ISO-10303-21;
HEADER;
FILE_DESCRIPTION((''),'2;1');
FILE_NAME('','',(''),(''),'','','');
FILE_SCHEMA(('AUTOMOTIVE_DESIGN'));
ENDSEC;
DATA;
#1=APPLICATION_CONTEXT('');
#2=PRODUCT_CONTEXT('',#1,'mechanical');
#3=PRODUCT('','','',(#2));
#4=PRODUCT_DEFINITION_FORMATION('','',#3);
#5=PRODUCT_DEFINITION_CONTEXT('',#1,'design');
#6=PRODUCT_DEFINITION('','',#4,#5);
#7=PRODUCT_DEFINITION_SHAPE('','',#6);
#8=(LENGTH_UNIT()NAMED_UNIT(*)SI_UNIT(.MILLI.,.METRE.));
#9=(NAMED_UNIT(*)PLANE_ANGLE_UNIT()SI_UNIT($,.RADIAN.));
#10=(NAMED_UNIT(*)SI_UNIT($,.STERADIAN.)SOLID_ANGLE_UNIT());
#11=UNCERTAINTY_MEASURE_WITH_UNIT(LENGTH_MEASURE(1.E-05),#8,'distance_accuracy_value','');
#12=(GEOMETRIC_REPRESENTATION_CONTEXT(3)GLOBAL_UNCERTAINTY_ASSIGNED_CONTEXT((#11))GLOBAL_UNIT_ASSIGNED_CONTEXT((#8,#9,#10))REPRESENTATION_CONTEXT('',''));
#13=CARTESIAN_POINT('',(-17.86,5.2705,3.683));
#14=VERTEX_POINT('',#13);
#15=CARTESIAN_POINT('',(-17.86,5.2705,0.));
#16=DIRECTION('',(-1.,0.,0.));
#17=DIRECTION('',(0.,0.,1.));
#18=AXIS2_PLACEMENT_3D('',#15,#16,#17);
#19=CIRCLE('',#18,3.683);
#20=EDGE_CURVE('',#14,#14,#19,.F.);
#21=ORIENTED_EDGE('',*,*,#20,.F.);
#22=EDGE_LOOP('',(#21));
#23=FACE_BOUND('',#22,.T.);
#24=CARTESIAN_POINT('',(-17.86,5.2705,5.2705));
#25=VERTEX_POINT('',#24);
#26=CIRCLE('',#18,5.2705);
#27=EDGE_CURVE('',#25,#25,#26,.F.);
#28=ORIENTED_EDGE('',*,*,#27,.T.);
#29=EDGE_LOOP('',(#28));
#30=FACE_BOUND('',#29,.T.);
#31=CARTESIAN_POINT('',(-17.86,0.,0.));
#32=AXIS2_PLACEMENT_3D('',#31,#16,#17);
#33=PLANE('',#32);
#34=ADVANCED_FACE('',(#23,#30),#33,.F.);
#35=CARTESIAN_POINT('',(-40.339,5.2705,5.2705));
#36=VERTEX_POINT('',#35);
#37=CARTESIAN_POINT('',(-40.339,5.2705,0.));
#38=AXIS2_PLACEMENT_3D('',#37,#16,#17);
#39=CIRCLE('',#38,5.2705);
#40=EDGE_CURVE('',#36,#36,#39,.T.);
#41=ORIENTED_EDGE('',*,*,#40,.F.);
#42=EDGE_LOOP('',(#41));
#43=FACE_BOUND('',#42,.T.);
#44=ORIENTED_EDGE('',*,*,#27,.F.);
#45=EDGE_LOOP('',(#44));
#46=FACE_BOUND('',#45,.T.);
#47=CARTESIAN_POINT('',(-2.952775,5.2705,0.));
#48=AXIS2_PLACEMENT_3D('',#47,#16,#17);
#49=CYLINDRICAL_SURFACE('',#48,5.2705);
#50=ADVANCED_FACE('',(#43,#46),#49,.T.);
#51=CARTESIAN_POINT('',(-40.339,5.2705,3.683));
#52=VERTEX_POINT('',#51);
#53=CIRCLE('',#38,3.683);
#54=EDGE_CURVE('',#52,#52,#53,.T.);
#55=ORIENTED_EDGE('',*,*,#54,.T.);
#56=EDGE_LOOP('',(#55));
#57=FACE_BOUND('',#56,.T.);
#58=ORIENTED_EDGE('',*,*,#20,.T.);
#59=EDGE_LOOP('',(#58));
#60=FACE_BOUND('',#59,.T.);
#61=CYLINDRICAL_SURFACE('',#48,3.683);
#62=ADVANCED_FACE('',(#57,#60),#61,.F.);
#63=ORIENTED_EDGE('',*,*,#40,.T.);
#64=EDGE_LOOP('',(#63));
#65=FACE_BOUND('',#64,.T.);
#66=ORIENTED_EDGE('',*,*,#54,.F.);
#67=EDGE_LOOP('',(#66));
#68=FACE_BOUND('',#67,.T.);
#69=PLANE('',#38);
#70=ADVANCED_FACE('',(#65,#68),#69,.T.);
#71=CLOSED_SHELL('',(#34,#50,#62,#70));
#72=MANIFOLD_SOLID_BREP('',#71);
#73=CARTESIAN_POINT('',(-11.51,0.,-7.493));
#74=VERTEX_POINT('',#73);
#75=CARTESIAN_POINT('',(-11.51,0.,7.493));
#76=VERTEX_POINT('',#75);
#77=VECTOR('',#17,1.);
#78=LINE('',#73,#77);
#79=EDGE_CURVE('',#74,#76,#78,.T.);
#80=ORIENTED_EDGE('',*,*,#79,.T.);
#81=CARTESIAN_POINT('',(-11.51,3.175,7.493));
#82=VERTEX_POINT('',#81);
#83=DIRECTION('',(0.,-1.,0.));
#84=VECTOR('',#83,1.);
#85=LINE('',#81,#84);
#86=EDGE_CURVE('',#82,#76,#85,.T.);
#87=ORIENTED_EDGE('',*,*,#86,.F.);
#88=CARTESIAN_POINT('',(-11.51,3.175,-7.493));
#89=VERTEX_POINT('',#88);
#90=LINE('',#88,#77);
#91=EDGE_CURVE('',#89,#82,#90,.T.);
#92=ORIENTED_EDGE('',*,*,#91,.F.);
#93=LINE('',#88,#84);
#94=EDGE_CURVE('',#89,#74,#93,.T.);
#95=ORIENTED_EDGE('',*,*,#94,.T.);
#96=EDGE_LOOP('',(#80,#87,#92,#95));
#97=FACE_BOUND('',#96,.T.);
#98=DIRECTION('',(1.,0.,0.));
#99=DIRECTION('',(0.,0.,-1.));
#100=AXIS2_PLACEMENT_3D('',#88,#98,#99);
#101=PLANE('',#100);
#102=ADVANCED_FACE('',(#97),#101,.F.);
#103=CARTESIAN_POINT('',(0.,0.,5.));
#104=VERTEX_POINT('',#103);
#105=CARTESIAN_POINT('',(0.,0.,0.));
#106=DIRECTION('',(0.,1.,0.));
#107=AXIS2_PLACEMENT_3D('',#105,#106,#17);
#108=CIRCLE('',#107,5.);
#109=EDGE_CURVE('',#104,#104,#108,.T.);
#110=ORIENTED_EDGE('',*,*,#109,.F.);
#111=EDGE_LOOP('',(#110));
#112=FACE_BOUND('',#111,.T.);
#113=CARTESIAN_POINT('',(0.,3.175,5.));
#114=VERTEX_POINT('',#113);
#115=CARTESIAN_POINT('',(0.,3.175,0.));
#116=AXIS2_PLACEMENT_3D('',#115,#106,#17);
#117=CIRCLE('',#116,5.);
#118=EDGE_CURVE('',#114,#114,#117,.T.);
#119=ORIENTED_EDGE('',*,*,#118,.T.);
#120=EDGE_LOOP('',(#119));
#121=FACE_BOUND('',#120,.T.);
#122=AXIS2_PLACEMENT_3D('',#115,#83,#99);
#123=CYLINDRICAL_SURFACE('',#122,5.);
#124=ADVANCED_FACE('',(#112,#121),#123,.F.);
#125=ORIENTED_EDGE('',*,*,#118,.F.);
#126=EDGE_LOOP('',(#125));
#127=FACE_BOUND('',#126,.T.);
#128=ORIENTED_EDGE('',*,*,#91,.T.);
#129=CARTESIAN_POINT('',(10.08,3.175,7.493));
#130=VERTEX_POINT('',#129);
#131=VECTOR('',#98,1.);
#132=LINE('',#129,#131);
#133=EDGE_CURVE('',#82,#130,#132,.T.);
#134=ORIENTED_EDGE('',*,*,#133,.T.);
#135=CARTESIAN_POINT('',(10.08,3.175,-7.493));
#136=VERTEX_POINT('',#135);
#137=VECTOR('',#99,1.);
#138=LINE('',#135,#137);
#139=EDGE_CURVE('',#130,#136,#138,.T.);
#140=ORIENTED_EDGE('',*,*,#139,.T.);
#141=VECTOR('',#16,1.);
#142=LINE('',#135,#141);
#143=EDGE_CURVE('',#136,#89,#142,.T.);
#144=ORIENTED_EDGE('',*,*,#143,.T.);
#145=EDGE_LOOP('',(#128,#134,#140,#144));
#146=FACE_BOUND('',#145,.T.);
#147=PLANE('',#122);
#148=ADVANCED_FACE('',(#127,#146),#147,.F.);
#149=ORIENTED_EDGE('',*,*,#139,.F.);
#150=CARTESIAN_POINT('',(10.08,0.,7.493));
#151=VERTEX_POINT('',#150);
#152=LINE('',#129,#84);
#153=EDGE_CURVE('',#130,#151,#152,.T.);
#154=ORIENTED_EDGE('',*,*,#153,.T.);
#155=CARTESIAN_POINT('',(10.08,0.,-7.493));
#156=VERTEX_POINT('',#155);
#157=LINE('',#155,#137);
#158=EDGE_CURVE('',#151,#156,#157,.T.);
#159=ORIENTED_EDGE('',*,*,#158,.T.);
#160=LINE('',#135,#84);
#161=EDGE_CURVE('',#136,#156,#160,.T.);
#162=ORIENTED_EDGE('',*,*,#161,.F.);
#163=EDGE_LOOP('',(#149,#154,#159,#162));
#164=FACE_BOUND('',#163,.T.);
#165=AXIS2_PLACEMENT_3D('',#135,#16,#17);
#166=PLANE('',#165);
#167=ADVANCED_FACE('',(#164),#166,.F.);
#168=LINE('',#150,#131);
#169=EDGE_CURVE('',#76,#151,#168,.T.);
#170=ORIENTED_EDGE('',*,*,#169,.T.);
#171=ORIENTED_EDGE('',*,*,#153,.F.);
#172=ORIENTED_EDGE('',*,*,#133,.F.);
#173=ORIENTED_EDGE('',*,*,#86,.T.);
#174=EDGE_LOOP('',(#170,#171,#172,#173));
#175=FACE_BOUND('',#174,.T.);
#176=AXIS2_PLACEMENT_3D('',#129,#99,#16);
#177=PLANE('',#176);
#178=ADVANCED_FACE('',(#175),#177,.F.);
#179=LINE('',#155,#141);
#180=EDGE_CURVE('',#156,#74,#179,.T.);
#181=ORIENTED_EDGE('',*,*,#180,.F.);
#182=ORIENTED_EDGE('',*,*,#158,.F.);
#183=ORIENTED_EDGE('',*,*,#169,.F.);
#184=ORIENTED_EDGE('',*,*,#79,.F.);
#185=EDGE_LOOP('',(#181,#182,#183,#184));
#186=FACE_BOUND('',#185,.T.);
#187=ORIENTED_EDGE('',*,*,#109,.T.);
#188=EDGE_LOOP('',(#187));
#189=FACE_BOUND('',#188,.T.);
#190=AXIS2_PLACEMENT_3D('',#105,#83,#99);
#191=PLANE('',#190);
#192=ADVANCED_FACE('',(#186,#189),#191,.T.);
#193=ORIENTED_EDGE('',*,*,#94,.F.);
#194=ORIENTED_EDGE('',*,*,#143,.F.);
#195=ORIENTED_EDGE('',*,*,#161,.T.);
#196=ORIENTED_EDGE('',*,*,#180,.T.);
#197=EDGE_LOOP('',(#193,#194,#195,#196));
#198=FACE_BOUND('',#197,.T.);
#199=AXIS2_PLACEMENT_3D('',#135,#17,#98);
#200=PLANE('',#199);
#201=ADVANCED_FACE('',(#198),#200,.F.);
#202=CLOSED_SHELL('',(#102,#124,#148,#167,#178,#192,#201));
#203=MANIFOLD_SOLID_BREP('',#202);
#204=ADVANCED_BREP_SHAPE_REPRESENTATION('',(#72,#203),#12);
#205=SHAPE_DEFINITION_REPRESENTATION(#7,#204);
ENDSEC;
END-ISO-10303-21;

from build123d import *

# Parameters (mm, degrees)
SKETCH1_W           = 21.59
SKETCH1_H           = 14.986
SKETCH1_R           = 5
BOSS_EXTRUDE1_DEPTH = 3.175
SKETCH2_R           = 5.2705
SKETCH2_R_2         = 3.683
EXTRUDE_THIN1_DEPTH = 22.479


with BuildPart() as part:
    # Sketch1 → Boss-Extrude1 (new body)
    with BuildSketch(Plane(origin=(0, 0, 0), x_dir=(1, 0, 0), z_dir=(0, 1, 0))):
        with Locations((-0.715, 0)):
            Rectangle(SKETCH1_W, SKETCH1_H)
        Circle(SKETCH1_R, mode=Mode.SUBTRACT)
    extrude(amount=BOSS_EXTRUDE1_DEPTH)


with BuildPart() as body_2:
    # Sketch2 → Extrude-Thin1 (new body)
    with BuildSketch(Plane.ZY.offset(40.339)):
        with Locations((0, 5.2705)):
            Circle(SKETCH2_R)
        with Locations((0, 5.2705)):
            Circle(SKETCH2_R_2, mode=Mode.SUBTRACT)
    extrude(amount=-EXTRUDE_THIN1_DEPTH)


solid = Compound([part.part, body_2.part])
